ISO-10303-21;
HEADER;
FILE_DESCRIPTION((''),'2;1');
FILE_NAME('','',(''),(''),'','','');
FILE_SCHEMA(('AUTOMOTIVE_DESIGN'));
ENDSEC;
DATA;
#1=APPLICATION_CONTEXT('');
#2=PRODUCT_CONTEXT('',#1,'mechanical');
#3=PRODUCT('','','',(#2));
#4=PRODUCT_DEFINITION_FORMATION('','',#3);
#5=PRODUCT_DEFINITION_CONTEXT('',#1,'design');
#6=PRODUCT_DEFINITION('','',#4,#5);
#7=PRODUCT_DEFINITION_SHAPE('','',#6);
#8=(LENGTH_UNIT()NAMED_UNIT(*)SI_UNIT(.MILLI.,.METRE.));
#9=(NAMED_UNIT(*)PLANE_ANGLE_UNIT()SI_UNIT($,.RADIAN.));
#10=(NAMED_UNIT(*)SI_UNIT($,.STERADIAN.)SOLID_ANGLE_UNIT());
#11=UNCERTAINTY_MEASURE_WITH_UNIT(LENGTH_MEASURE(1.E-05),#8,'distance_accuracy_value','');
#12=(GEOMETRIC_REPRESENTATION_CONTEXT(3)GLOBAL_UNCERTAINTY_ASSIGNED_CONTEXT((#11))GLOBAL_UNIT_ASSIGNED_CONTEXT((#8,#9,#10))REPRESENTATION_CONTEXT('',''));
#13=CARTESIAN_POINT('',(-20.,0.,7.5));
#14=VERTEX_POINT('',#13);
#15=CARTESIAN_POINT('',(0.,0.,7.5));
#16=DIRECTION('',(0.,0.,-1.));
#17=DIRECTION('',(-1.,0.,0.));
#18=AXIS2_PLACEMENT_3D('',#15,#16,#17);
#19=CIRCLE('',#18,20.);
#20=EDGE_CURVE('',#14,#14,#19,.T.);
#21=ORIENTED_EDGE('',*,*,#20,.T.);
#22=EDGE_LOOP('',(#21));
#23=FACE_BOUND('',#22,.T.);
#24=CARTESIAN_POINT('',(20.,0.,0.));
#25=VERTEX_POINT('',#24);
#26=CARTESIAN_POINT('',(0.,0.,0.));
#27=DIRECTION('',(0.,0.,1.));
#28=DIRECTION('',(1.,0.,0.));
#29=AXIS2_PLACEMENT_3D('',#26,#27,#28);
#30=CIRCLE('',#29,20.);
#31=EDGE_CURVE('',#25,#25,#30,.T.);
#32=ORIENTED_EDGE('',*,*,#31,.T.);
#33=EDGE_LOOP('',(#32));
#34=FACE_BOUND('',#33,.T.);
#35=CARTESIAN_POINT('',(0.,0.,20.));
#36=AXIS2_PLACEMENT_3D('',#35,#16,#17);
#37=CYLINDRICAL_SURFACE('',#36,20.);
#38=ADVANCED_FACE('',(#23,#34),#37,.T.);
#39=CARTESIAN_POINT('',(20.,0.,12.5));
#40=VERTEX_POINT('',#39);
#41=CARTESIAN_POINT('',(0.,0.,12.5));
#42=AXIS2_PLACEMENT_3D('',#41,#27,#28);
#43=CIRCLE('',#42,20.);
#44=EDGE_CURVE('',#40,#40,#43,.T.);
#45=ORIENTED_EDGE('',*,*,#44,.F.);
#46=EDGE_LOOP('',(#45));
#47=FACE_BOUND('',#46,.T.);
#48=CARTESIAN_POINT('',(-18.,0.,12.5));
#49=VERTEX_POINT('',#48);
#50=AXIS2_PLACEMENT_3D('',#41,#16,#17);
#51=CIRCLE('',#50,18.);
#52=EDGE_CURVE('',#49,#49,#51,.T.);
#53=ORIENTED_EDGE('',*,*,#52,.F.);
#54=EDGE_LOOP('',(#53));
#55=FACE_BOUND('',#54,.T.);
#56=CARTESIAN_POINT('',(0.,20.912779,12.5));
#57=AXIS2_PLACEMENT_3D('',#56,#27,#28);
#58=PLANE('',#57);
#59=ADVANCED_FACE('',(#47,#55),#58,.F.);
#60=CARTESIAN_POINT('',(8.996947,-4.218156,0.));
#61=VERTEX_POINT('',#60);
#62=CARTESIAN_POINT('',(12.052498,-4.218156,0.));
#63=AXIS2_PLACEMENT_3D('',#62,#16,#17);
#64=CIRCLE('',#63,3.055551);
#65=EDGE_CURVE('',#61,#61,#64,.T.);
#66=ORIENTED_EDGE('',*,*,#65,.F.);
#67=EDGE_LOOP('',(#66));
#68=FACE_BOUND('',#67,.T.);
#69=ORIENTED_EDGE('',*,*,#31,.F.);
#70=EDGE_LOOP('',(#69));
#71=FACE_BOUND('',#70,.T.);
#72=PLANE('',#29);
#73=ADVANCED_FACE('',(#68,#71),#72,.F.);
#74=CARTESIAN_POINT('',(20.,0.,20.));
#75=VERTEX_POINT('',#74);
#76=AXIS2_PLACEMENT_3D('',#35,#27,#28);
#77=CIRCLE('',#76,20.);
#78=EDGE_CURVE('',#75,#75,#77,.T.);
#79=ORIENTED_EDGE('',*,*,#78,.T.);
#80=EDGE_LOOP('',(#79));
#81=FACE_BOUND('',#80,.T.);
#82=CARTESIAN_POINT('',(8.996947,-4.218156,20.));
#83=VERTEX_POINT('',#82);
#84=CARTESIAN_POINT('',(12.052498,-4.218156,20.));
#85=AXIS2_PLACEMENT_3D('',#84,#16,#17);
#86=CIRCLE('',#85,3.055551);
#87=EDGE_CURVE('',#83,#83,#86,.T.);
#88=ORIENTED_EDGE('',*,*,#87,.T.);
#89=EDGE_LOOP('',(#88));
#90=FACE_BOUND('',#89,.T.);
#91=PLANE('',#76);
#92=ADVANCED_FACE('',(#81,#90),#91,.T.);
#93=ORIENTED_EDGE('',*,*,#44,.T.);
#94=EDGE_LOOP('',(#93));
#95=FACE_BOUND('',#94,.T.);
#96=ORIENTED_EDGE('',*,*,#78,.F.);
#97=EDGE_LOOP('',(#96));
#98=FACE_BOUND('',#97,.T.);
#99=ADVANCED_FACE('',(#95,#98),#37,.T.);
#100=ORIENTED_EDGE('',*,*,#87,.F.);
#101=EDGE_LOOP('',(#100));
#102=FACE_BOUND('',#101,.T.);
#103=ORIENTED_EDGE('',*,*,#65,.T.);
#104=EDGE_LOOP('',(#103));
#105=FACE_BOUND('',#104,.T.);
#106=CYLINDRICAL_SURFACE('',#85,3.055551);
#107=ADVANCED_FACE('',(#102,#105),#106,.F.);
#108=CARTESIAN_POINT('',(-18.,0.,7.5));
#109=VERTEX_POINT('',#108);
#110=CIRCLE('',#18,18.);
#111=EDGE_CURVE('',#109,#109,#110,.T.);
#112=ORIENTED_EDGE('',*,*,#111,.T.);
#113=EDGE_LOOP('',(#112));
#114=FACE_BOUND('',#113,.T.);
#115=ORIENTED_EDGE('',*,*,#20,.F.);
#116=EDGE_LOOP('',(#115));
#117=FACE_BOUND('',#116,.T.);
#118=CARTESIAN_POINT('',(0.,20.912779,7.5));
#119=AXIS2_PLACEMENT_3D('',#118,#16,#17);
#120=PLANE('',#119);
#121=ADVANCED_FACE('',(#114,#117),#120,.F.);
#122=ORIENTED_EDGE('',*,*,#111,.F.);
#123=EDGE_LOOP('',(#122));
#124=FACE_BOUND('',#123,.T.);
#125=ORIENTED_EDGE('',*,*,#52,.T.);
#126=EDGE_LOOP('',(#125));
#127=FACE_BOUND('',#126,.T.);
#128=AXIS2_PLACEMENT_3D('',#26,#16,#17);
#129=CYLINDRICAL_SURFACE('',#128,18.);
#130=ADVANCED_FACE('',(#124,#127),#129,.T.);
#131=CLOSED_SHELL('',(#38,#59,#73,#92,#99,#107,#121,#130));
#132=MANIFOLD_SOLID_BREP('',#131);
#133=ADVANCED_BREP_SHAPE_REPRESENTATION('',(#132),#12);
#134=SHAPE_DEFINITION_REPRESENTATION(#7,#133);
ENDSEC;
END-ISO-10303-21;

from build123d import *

# Parameters (mm, degrees)
SKETCH1_R           = 20
BOSS_EXTRUDE1_DEPTH = 20
SKETCH4_W           = 5
SKETCH4_H           = 2.912778991
SKETCH5_R           = 3.055550827
CUT_EXTRUDE2_DEPTH  = 35.641016151


with BuildPart() as part:
    # Sketch1 → Boss-Extrude1 (new body)
    with BuildSketch(Plane.XY):
        Circle(SKETCH1_R)
    extrude(amount=BOSS_EXTRUDE1_DEPTH)

    # Sketch4 → Cut-Revolve1 (revolve, cut)
    with BuildSketch(Plane(origin=(0, 0, 0), x_dir=(0, 0, -1), z_dir=(1, 0, 0)), mode=Mode.PRIVATE) as cut_revolve1_sk:
        with Locations((-10, 19.456389495)):
            Rectangle(SKETCH4_W, SKETCH4_H)
    revolve(cut_revolve1_sk.sketch.rotate(Axis((0, 0, 0), (0, 0, 1)), 90), axis=Axis((0, 0, 0), (0, 0, 1)), mode=Mode.SUBTRACT)

    # Sketch5 → Cut-Extrude2 (cut, through all)
    with BuildSketch(Plane(origin=(0, 0, 0), x_dir=(-1, 0, 0), z_dir=(0, 0, -1))):
        with Locations((-12.052497778, -4.218156491)):
            Circle(SKETCH5_R)
    extrude(amount=-CUT_EXTRUDE2_DEPTH, mode=Mode.SUBTRACT)


solid = part.part
